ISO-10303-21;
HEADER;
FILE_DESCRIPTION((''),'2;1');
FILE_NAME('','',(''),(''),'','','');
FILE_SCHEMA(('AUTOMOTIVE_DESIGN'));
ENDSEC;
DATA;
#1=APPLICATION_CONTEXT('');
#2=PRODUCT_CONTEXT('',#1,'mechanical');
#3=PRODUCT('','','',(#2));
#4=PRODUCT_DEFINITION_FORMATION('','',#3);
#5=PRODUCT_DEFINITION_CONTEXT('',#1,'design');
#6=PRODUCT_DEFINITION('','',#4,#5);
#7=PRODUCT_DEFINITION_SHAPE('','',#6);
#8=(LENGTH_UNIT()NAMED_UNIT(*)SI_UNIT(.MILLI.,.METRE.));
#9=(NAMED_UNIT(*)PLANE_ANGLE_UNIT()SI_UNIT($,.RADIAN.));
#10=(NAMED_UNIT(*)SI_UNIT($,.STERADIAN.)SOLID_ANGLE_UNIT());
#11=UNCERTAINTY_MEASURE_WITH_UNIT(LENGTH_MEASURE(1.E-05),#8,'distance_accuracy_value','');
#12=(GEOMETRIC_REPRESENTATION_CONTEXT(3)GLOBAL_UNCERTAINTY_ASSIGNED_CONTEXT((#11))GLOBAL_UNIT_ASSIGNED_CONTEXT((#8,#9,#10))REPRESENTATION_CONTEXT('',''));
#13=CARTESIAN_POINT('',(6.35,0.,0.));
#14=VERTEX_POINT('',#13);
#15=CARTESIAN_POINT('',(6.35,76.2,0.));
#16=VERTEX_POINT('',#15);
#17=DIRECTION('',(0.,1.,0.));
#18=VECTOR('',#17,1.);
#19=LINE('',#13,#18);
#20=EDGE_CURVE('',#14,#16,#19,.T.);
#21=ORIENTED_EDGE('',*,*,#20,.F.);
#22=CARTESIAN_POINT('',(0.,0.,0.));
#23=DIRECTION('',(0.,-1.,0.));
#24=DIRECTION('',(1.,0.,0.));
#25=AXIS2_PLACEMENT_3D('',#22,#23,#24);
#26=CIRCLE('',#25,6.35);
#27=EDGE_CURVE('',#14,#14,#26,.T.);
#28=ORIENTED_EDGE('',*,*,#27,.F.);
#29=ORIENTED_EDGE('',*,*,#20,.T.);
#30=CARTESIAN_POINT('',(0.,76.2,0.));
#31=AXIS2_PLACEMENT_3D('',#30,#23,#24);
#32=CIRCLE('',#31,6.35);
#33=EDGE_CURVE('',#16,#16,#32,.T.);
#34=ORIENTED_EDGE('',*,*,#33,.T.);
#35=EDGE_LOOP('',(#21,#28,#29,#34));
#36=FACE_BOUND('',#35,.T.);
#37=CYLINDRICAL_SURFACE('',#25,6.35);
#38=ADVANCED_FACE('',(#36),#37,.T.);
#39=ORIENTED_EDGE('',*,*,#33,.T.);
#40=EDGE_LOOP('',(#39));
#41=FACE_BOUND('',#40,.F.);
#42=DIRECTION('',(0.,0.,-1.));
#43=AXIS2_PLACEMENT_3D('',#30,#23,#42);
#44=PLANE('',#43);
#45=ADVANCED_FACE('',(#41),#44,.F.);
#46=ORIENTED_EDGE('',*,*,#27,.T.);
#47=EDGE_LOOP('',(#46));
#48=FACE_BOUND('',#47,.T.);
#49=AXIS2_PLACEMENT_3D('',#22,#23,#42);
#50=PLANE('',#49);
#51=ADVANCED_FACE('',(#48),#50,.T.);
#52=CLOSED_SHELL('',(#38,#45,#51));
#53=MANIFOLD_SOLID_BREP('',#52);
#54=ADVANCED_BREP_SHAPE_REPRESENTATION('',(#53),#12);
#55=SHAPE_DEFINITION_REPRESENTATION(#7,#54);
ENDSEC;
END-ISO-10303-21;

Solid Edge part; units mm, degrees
sketch "Sketch1" plane through (0, 0, 0) normal (0, -1, 0) x (1, 0, 0)
  circle A0 centre (0, 0) radius 6.35
extrude "Protrusion1" add sketch "Sketch1" against normal blind 76.2
